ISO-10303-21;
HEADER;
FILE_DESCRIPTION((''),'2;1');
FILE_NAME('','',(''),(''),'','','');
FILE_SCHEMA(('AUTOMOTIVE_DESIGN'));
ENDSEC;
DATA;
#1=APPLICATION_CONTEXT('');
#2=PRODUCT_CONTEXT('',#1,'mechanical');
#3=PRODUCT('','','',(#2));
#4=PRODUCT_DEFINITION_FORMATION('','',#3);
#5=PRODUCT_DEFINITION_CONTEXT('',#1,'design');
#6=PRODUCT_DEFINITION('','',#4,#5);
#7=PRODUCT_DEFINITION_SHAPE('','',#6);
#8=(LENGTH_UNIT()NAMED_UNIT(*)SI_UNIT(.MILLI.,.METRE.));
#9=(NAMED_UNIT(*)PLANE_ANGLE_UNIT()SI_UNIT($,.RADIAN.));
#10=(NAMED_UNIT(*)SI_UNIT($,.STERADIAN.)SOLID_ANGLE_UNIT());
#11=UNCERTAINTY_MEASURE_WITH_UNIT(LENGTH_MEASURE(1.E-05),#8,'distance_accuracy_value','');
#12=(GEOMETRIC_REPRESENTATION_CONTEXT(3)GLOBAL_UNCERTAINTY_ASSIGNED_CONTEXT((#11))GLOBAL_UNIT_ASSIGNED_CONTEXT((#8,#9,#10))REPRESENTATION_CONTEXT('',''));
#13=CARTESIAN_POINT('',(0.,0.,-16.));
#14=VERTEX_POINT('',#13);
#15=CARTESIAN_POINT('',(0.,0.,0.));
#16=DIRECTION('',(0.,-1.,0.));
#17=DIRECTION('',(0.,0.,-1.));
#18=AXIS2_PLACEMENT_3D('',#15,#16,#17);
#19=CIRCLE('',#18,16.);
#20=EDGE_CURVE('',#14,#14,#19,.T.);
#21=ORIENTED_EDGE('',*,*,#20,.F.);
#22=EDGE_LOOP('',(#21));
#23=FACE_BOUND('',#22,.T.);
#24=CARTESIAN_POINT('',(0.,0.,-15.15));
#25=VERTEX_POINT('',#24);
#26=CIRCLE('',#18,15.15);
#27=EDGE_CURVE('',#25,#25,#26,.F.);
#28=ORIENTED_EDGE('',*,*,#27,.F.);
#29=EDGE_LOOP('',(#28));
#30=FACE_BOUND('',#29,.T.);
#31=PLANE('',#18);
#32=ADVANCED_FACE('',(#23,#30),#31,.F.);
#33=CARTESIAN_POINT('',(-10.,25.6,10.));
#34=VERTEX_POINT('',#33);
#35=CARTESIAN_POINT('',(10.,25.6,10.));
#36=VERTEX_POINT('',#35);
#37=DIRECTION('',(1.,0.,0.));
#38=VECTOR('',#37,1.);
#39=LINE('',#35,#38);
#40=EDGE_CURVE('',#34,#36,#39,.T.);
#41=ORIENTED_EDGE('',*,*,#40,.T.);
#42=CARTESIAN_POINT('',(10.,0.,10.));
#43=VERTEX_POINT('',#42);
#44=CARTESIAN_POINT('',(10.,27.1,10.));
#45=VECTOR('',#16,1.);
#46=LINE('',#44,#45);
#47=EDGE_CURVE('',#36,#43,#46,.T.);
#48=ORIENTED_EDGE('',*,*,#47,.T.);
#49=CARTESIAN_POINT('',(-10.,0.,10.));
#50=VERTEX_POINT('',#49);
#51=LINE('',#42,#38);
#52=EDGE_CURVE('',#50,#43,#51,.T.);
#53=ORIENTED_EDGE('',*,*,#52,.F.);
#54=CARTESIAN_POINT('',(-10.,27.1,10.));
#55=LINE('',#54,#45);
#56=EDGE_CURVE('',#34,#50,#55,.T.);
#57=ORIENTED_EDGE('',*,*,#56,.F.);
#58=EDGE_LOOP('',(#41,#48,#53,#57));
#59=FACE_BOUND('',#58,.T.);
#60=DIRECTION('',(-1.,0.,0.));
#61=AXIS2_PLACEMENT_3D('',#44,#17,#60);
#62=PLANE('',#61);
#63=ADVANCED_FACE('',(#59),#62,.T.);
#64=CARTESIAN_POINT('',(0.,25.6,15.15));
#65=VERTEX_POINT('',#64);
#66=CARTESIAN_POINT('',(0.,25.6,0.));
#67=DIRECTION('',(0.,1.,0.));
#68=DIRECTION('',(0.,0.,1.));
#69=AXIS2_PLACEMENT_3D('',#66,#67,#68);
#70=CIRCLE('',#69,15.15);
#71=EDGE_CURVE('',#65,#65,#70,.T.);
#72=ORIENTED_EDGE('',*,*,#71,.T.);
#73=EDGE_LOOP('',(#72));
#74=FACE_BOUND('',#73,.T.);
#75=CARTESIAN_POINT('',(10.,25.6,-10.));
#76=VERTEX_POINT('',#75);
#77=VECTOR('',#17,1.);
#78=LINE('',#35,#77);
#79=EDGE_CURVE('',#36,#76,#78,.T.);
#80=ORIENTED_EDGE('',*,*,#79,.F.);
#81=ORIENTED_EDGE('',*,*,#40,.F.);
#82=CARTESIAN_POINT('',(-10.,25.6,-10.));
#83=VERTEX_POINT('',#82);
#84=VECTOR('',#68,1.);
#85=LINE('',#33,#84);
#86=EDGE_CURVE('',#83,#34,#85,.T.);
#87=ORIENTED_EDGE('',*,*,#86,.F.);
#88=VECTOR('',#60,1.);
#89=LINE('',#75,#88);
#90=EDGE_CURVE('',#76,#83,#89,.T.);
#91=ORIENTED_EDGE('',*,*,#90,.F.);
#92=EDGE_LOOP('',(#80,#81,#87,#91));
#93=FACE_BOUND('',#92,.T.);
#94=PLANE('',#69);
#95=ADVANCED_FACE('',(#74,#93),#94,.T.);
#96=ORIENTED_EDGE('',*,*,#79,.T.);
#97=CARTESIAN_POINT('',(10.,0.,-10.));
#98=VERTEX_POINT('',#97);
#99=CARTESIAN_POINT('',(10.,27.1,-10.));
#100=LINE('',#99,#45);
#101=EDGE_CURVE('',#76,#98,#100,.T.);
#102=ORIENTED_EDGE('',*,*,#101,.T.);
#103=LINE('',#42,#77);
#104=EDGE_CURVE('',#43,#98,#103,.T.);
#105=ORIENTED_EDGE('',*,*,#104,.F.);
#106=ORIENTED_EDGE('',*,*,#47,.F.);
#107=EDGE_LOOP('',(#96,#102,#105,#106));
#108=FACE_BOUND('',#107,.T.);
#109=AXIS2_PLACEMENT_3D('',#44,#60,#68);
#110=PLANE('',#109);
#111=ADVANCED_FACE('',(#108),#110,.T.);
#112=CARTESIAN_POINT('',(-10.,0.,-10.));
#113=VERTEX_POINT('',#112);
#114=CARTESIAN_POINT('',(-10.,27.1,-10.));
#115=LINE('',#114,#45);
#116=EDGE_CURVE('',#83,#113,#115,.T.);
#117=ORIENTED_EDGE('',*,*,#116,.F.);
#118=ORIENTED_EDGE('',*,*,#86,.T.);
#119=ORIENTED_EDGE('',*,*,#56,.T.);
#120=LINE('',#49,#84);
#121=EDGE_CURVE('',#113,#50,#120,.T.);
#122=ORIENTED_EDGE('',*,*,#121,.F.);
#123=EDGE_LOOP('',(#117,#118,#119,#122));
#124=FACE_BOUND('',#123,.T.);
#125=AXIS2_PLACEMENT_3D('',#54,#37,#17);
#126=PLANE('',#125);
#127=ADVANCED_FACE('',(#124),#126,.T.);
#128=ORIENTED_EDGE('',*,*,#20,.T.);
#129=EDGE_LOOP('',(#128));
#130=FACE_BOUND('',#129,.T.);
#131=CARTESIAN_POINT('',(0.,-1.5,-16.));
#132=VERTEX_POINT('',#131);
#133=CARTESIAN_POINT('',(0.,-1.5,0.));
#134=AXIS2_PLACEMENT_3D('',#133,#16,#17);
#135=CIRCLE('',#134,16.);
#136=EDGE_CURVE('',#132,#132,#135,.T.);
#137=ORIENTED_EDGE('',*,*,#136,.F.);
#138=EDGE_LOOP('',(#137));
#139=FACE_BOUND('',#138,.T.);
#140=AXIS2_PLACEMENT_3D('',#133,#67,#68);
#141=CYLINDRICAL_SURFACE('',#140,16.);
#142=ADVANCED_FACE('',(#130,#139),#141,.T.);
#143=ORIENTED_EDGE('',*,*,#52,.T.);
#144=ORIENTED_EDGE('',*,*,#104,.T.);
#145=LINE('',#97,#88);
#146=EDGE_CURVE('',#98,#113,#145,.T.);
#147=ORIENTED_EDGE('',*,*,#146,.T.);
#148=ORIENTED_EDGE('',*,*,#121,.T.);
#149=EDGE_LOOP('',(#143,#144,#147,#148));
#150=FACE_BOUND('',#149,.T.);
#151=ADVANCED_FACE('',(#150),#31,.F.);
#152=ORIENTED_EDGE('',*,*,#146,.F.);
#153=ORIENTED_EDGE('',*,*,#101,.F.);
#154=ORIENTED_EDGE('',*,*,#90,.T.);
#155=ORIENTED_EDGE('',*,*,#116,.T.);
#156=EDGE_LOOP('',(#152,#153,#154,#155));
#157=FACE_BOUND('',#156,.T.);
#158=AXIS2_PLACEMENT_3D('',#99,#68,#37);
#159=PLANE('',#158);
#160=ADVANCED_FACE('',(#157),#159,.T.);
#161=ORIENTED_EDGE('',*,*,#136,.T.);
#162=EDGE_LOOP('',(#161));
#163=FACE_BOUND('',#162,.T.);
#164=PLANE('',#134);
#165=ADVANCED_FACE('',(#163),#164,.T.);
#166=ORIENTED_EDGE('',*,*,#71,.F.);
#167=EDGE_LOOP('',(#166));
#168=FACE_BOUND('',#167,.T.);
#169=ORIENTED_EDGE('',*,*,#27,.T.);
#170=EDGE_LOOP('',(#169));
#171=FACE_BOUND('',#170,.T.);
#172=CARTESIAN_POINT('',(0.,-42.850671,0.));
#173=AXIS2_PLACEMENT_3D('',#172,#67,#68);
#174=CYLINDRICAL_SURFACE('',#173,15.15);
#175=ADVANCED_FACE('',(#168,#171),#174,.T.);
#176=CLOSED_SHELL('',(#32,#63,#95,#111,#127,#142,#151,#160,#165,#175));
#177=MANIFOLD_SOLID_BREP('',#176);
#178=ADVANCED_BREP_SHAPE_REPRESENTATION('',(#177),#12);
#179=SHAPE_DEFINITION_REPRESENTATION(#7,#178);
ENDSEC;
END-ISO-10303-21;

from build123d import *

# Parameters (mm, degrees)
SKETCH1_R           = 15
SKETCH1_W           = 20
SKETCH1_H           = 20
BOSS_EXTRUDE1_DEPTH = 27.1
SKETCH2_R           = 16
BOSS_EXTRUDE2_DEPTH = 1.5
BOSS_EXTRUDE4_START = -27.1
SKETCH3_R           = 15.15
SKETCH3_R_2         = 15
SKETCH3_W           = 20
SKETCH3_H           = 20
BOSS_EXTRUDE4_DEPTH = 27.1
CUT_EXTRUDE1_START  = -1.5
SKETCH4_R           = 15.15
CUT_EXTRUDE1_DEPTH  = 1.5


with BuildPart() as part:
    # Sketch1 → Boss-Extrude1 (new body)
    with BuildSketch(Plane(origin=(0, 0, 0), x_dir=(1, 0, 0), z_dir=(0, 1, 0))):
        with Locations(Location((0, 0, 0), (0, 0, 90))):
            Circle(SKETCH1_R)
        Rectangle(SKETCH1_W, SKETCH1_H, mode=Mode.SUBTRACT)
    extrude(amount=BOSS_EXTRUDE1_DEPTH)

    # Sketch2 → Boss-Extrude2 (add)
    with BuildSketch(Plane.XZ):
        with Locations(Location((0, 0, 0), (0, 0, 270))):
            Circle(SKETCH2_R)
    extrude(amount=BOSS_EXTRUDE2_DEPTH)

    # Sketch3 → Boss-Extrude4 (add)
    # profile 1 of 2: a face of its own
    with BuildSketch(Plane(origin=(0, 27.1, 0), x_dir=(1, 0, 0), z_dir=(0, 1, 0)).offset(BOSS_EXTRUDE4_START)):
        with Locations(Location((0, 0, 0), (0, 0, 270))):
            Circle(SKETCH3_R)
        Circle(SKETCH3_R_2, mode=Mode.SUBTRACT)
    # profile 2 of 2: a face of its own
    with BuildSketch(Plane(origin=(0, 27.1, 0), x_dir=(1, 0, 0), z_dir=(0, 1, 0)).offset(BOSS_EXTRUDE4_START)):
        Circle(SKETCH3_R_2)
        Rectangle(SKETCH3_W, SKETCH3_H, mode=Mode.SUBTRACT)
    extrude(amount=BOSS_EXTRUDE4_DEPTH)

    # Sketch4 → Cut-Extrude1 (cut)
    with BuildSketch(Plane(origin=(0, 27.1, 0), x_dir=(1, 0, 0), z_dir=(0, 1, 0)).offset(CUT_EXTRUDE1_START)):
        with Locations(Location((0, 0, 0), (0, 0, 270))):
            Circle(SKETCH4_R)
    extrude(amount=CUT_EXTRUDE1_DEPTH, mode=Mode.SUBTRACT)


solid = part.part
